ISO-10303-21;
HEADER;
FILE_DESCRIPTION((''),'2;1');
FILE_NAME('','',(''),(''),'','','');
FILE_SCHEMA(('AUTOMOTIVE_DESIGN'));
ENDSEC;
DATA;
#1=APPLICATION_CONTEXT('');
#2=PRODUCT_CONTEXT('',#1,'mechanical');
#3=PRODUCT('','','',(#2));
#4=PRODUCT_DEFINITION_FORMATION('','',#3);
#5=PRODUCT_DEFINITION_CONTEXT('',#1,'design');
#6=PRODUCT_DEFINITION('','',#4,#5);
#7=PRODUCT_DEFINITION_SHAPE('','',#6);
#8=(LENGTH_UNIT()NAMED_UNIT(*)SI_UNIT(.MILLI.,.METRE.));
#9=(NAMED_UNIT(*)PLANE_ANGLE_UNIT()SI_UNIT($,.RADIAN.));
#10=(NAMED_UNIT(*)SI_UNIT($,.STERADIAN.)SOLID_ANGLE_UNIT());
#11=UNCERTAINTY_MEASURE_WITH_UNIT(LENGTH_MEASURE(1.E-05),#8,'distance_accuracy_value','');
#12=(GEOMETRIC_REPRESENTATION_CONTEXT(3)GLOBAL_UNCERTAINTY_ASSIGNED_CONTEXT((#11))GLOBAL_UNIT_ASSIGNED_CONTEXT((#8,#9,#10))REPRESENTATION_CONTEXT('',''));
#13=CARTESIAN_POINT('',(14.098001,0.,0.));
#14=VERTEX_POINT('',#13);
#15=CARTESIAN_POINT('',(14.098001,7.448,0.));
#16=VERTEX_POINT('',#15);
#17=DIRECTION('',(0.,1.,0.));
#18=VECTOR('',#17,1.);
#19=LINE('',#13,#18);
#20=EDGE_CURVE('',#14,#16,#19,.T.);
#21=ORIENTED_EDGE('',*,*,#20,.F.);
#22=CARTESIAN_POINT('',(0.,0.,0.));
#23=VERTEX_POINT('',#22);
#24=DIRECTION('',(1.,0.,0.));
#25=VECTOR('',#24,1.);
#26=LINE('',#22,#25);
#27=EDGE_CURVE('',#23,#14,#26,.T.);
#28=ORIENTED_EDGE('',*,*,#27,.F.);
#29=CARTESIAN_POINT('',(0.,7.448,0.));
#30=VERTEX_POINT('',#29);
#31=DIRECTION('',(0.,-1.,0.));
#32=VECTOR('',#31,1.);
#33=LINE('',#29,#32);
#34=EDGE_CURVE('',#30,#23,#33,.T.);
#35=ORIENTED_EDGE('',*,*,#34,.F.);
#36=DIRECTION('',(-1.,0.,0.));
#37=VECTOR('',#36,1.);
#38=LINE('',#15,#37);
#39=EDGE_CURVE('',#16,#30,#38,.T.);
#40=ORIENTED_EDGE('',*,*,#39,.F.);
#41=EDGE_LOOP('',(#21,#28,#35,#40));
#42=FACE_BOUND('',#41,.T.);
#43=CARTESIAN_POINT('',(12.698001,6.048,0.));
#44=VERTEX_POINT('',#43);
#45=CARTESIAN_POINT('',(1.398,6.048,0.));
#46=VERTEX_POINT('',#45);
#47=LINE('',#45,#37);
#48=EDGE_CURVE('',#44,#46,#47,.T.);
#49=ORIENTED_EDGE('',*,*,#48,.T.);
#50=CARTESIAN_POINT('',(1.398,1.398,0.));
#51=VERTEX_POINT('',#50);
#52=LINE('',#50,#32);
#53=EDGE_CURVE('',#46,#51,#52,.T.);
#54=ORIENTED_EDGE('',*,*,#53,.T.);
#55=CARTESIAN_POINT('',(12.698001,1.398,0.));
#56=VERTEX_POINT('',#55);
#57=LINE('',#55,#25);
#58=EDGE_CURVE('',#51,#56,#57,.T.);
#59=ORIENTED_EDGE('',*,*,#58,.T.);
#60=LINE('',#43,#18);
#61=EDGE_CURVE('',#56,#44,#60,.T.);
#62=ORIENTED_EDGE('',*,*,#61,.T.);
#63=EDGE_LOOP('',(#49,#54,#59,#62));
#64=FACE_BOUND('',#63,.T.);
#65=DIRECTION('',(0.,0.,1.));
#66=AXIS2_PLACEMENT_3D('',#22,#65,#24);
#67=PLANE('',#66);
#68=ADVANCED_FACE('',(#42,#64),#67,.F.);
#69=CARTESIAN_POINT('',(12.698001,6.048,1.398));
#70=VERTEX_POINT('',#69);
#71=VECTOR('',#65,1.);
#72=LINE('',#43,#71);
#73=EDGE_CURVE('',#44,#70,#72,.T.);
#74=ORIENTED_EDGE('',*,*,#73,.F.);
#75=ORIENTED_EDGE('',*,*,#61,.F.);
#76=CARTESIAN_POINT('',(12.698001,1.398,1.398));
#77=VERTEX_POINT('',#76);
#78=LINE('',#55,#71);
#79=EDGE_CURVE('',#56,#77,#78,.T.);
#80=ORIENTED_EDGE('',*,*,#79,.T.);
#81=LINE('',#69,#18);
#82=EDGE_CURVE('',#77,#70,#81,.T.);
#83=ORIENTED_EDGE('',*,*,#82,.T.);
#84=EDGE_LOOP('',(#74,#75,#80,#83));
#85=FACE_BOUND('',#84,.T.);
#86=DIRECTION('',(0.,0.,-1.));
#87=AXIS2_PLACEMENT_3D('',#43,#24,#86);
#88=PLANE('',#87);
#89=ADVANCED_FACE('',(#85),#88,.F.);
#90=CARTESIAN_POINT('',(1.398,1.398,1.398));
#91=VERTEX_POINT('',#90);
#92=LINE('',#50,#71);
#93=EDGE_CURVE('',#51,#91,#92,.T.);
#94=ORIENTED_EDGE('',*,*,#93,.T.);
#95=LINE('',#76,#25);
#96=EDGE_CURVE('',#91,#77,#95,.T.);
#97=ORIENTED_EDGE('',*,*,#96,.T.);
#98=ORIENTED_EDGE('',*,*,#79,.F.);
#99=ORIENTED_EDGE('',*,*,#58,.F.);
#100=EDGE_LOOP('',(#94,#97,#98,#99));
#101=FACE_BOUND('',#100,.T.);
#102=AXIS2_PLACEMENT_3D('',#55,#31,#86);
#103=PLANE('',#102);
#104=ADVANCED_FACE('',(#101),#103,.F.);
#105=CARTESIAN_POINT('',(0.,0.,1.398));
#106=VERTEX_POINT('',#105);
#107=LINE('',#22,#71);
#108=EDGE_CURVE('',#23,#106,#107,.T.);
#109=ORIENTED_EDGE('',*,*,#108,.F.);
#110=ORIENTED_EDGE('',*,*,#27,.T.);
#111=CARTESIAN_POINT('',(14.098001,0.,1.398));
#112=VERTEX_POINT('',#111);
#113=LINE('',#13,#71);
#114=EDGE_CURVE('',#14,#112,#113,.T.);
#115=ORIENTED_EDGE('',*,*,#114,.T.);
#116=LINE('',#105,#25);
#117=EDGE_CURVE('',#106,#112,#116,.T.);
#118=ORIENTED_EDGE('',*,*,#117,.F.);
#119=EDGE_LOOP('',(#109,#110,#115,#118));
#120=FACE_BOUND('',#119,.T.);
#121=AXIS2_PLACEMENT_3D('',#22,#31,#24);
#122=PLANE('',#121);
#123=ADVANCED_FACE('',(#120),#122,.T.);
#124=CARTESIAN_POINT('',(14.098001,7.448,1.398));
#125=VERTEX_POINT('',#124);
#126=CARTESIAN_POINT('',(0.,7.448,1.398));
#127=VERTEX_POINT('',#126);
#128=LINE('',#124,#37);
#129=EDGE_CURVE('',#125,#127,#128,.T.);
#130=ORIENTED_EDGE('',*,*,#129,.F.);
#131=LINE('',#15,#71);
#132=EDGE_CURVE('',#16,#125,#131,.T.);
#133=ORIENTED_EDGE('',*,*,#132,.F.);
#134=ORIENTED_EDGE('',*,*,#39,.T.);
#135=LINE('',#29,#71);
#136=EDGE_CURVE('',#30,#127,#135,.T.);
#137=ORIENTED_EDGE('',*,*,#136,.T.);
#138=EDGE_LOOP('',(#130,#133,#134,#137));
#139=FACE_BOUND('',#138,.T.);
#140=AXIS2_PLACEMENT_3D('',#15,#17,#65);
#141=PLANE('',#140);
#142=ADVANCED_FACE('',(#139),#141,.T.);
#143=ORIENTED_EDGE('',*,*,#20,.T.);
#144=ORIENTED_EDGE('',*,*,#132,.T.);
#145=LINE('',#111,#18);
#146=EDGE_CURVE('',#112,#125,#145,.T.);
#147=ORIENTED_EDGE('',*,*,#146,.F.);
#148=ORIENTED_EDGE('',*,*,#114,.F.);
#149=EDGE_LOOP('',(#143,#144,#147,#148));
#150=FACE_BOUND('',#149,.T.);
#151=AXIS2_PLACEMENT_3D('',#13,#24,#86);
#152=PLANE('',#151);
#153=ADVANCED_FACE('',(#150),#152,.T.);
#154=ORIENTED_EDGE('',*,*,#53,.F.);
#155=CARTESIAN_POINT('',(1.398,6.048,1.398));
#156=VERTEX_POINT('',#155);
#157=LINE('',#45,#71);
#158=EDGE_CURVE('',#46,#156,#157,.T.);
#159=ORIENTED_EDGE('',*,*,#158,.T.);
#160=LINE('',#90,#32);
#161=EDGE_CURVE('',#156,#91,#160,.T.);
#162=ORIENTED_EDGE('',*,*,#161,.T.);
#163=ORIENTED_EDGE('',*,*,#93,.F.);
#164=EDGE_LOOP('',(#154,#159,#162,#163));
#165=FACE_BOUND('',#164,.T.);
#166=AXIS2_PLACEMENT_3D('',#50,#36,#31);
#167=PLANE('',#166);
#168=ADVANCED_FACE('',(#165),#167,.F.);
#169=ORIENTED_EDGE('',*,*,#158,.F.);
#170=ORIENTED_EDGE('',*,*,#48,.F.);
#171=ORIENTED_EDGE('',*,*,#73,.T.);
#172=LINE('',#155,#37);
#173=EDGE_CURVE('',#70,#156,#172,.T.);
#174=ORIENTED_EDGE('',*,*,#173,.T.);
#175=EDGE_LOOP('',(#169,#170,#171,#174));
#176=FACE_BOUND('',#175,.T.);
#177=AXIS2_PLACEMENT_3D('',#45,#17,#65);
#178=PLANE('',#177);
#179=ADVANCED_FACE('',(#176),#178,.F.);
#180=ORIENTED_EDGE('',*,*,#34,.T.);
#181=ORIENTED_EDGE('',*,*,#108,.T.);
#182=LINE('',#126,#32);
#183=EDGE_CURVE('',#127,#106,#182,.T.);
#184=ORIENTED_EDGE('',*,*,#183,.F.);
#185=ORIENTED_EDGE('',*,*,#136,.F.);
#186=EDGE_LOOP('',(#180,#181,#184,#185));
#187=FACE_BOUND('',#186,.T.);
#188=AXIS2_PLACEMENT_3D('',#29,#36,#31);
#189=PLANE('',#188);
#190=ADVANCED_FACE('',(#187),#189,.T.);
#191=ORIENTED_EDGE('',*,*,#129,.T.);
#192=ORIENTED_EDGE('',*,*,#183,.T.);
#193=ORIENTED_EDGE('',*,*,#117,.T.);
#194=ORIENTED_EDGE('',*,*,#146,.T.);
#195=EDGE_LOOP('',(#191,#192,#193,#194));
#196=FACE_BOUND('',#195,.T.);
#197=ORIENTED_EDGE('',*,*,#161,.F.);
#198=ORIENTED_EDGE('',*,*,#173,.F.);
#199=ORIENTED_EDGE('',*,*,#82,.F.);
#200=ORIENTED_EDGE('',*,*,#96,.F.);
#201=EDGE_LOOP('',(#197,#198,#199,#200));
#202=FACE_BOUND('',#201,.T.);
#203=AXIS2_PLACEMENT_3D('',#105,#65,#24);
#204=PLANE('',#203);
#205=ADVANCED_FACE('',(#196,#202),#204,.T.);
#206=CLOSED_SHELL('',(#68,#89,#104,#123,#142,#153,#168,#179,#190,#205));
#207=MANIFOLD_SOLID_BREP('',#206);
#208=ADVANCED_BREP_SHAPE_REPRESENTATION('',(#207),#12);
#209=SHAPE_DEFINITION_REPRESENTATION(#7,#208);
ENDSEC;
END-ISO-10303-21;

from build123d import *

# Parameters (mm, degrees)
SKETCH1_W           = 14.098000526
SKETCH1_H           = 7.448000431
SKETCH1_W_2         = 11.300000787
SKETCH1_H_2         = 4.650000215
BOSS_EXTRUDE1_DEPTH = 1.398000121


with BuildPart() as part:
    # Sketch1 → Boss-Extrude1 (new body)
    with BuildSketch(Plane.XY.offset(1.398000121)):
        with Locations((7.049000263, 3.724000216)):
            Rectangle(SKETCH1_W, SKETCH1_H)
        with Locations((7.048000515, 3.723000229)):
            Rectangle(SKETCH1_W_2, SKETCH1_H_2, mode=Mode.SUBTRACT)
    extrude(amount=-BOSS_EXTRUDE1_DEPTH)


solid = part.part
